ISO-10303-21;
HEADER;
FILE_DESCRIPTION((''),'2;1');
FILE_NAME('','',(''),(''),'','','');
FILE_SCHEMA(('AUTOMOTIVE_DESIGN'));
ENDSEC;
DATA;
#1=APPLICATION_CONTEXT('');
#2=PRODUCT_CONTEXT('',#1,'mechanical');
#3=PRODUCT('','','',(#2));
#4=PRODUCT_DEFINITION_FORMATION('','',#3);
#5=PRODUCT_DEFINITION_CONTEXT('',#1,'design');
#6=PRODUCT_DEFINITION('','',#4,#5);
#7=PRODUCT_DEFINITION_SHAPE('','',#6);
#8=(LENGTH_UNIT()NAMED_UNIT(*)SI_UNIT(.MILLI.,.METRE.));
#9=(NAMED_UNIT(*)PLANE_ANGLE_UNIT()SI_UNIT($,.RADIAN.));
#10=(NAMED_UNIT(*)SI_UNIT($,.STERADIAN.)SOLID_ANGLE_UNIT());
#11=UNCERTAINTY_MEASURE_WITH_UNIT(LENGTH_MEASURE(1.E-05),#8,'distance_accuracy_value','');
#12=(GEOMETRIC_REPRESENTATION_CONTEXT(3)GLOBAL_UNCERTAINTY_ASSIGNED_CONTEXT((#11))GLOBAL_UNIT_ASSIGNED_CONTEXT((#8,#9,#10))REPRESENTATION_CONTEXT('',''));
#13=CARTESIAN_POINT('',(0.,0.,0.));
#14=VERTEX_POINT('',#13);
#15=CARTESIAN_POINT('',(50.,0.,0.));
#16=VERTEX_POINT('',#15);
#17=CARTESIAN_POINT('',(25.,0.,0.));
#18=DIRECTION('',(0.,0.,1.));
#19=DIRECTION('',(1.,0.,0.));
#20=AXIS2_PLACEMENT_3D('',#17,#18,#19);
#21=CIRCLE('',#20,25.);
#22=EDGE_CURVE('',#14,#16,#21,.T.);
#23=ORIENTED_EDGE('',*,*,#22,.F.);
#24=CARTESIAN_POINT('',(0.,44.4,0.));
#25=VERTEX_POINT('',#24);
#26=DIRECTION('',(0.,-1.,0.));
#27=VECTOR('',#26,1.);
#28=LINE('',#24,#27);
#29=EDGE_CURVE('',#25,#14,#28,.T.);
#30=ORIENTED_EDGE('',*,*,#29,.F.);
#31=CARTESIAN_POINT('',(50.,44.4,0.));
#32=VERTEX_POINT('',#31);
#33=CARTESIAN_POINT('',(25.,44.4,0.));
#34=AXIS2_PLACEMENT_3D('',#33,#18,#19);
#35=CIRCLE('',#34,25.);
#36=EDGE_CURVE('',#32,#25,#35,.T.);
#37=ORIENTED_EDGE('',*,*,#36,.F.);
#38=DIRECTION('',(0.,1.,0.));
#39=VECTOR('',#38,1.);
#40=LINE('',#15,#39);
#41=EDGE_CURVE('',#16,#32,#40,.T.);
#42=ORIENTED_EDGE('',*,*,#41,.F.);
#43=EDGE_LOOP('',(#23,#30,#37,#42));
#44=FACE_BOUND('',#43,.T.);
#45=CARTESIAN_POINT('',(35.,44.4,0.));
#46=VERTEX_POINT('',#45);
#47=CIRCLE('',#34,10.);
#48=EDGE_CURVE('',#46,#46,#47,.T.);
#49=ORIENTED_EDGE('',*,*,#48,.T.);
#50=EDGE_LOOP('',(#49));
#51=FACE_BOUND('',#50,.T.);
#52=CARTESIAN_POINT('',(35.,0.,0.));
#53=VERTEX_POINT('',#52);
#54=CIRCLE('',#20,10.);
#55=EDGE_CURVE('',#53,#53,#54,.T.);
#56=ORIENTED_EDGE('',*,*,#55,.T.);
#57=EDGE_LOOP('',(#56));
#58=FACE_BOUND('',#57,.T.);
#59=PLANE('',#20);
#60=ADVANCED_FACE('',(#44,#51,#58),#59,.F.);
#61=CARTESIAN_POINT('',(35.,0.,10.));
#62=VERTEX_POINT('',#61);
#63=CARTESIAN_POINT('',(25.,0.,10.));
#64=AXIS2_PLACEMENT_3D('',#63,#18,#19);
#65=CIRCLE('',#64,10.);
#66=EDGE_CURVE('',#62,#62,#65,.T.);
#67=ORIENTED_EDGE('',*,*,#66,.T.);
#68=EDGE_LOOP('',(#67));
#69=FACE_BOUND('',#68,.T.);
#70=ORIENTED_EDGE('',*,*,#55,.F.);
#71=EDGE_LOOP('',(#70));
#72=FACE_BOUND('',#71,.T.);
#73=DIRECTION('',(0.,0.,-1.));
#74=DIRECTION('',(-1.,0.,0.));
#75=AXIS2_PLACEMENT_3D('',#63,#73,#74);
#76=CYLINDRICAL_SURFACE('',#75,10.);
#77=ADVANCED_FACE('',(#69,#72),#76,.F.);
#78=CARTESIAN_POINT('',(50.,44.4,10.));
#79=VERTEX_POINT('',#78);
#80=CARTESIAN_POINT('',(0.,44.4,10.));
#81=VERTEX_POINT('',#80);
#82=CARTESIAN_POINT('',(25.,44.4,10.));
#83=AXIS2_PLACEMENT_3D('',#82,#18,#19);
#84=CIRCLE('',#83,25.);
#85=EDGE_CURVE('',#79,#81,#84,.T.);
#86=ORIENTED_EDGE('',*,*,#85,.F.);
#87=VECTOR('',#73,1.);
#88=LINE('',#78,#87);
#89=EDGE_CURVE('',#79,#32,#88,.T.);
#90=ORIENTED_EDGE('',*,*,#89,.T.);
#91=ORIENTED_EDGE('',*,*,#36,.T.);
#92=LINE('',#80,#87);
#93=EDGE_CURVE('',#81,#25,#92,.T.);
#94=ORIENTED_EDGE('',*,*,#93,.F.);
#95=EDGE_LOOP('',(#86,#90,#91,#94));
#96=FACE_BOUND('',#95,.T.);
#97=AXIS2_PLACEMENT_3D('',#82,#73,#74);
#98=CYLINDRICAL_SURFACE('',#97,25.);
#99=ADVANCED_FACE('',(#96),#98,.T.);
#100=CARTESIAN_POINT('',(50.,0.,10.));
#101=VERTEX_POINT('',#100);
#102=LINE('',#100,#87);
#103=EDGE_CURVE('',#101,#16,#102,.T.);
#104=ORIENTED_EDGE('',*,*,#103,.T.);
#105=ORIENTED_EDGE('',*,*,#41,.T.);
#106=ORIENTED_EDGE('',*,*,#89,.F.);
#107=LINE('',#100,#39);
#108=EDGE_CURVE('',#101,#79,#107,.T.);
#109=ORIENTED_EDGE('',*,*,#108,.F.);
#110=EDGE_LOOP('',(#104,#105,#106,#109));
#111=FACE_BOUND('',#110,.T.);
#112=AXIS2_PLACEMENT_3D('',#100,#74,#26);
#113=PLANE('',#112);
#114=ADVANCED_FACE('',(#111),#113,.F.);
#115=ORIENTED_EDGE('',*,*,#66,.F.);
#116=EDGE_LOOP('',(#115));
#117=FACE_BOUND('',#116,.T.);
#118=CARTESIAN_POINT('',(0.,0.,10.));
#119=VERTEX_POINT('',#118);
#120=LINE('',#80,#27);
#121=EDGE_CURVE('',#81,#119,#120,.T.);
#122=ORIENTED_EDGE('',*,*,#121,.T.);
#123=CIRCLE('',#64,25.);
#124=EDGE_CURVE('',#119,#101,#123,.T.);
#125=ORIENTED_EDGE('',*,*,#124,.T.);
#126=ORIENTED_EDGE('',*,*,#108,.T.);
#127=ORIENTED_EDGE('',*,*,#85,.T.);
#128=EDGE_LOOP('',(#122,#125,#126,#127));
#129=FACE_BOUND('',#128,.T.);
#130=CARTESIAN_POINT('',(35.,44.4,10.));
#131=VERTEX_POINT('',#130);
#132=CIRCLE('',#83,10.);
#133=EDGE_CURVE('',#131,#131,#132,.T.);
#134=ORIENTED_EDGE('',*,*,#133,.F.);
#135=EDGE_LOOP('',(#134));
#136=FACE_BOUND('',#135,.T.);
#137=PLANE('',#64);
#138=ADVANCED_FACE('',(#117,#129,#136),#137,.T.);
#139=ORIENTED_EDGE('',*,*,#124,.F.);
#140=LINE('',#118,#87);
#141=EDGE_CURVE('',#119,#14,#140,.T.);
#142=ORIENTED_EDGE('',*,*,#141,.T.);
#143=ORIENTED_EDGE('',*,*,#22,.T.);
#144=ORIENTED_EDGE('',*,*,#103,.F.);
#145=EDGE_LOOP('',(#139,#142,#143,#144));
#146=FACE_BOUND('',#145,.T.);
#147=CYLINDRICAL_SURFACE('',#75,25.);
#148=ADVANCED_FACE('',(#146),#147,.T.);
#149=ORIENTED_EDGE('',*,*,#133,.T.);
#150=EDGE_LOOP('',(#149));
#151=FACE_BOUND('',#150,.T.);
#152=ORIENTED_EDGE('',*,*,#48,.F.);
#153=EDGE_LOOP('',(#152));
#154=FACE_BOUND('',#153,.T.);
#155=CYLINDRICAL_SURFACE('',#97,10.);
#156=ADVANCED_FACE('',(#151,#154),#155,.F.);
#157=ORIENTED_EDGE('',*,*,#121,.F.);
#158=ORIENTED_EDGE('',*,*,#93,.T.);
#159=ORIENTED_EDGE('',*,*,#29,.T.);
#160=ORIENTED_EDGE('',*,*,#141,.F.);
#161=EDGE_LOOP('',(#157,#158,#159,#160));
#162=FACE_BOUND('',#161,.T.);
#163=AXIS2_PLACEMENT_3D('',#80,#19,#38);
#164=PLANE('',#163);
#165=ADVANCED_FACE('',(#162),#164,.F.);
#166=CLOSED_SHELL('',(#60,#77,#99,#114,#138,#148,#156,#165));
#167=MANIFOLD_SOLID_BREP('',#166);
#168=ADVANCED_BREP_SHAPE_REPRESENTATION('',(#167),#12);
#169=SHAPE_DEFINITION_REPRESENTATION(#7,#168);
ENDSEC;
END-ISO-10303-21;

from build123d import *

# Parameters (mm, degrees)
CROQUIS1_R              = 10
SALIENTE_EXTRUIR1_DEPTH = 10


with BuildPart() as part:
    # Croquis1 → Saliente-Extruir1 (new body)
    with BuildSketch(Plane.XY):
        with BuildLine():
            Line((50, 0), (50, 44.4))
            ThreePointArc((50, 44.4), (25, 69.4), (0, 44.4))
            Line((0, 44.4), (0, 0))
            ThreePointArc((0, 0), (25, -25), (50, 0))
        make_face()
        with Locations((25, 44.4)):
            Circle(CROQUIS1_R, mode=Mode.SUBTRACT)
        with Locations((25, 0)):
            Circle(CROQUIS1_R, mode=Mode.SUBTRACT)
    extrude(amount=SALIENTE_EXTRUIR1_DEPTH)


solid = part.part
